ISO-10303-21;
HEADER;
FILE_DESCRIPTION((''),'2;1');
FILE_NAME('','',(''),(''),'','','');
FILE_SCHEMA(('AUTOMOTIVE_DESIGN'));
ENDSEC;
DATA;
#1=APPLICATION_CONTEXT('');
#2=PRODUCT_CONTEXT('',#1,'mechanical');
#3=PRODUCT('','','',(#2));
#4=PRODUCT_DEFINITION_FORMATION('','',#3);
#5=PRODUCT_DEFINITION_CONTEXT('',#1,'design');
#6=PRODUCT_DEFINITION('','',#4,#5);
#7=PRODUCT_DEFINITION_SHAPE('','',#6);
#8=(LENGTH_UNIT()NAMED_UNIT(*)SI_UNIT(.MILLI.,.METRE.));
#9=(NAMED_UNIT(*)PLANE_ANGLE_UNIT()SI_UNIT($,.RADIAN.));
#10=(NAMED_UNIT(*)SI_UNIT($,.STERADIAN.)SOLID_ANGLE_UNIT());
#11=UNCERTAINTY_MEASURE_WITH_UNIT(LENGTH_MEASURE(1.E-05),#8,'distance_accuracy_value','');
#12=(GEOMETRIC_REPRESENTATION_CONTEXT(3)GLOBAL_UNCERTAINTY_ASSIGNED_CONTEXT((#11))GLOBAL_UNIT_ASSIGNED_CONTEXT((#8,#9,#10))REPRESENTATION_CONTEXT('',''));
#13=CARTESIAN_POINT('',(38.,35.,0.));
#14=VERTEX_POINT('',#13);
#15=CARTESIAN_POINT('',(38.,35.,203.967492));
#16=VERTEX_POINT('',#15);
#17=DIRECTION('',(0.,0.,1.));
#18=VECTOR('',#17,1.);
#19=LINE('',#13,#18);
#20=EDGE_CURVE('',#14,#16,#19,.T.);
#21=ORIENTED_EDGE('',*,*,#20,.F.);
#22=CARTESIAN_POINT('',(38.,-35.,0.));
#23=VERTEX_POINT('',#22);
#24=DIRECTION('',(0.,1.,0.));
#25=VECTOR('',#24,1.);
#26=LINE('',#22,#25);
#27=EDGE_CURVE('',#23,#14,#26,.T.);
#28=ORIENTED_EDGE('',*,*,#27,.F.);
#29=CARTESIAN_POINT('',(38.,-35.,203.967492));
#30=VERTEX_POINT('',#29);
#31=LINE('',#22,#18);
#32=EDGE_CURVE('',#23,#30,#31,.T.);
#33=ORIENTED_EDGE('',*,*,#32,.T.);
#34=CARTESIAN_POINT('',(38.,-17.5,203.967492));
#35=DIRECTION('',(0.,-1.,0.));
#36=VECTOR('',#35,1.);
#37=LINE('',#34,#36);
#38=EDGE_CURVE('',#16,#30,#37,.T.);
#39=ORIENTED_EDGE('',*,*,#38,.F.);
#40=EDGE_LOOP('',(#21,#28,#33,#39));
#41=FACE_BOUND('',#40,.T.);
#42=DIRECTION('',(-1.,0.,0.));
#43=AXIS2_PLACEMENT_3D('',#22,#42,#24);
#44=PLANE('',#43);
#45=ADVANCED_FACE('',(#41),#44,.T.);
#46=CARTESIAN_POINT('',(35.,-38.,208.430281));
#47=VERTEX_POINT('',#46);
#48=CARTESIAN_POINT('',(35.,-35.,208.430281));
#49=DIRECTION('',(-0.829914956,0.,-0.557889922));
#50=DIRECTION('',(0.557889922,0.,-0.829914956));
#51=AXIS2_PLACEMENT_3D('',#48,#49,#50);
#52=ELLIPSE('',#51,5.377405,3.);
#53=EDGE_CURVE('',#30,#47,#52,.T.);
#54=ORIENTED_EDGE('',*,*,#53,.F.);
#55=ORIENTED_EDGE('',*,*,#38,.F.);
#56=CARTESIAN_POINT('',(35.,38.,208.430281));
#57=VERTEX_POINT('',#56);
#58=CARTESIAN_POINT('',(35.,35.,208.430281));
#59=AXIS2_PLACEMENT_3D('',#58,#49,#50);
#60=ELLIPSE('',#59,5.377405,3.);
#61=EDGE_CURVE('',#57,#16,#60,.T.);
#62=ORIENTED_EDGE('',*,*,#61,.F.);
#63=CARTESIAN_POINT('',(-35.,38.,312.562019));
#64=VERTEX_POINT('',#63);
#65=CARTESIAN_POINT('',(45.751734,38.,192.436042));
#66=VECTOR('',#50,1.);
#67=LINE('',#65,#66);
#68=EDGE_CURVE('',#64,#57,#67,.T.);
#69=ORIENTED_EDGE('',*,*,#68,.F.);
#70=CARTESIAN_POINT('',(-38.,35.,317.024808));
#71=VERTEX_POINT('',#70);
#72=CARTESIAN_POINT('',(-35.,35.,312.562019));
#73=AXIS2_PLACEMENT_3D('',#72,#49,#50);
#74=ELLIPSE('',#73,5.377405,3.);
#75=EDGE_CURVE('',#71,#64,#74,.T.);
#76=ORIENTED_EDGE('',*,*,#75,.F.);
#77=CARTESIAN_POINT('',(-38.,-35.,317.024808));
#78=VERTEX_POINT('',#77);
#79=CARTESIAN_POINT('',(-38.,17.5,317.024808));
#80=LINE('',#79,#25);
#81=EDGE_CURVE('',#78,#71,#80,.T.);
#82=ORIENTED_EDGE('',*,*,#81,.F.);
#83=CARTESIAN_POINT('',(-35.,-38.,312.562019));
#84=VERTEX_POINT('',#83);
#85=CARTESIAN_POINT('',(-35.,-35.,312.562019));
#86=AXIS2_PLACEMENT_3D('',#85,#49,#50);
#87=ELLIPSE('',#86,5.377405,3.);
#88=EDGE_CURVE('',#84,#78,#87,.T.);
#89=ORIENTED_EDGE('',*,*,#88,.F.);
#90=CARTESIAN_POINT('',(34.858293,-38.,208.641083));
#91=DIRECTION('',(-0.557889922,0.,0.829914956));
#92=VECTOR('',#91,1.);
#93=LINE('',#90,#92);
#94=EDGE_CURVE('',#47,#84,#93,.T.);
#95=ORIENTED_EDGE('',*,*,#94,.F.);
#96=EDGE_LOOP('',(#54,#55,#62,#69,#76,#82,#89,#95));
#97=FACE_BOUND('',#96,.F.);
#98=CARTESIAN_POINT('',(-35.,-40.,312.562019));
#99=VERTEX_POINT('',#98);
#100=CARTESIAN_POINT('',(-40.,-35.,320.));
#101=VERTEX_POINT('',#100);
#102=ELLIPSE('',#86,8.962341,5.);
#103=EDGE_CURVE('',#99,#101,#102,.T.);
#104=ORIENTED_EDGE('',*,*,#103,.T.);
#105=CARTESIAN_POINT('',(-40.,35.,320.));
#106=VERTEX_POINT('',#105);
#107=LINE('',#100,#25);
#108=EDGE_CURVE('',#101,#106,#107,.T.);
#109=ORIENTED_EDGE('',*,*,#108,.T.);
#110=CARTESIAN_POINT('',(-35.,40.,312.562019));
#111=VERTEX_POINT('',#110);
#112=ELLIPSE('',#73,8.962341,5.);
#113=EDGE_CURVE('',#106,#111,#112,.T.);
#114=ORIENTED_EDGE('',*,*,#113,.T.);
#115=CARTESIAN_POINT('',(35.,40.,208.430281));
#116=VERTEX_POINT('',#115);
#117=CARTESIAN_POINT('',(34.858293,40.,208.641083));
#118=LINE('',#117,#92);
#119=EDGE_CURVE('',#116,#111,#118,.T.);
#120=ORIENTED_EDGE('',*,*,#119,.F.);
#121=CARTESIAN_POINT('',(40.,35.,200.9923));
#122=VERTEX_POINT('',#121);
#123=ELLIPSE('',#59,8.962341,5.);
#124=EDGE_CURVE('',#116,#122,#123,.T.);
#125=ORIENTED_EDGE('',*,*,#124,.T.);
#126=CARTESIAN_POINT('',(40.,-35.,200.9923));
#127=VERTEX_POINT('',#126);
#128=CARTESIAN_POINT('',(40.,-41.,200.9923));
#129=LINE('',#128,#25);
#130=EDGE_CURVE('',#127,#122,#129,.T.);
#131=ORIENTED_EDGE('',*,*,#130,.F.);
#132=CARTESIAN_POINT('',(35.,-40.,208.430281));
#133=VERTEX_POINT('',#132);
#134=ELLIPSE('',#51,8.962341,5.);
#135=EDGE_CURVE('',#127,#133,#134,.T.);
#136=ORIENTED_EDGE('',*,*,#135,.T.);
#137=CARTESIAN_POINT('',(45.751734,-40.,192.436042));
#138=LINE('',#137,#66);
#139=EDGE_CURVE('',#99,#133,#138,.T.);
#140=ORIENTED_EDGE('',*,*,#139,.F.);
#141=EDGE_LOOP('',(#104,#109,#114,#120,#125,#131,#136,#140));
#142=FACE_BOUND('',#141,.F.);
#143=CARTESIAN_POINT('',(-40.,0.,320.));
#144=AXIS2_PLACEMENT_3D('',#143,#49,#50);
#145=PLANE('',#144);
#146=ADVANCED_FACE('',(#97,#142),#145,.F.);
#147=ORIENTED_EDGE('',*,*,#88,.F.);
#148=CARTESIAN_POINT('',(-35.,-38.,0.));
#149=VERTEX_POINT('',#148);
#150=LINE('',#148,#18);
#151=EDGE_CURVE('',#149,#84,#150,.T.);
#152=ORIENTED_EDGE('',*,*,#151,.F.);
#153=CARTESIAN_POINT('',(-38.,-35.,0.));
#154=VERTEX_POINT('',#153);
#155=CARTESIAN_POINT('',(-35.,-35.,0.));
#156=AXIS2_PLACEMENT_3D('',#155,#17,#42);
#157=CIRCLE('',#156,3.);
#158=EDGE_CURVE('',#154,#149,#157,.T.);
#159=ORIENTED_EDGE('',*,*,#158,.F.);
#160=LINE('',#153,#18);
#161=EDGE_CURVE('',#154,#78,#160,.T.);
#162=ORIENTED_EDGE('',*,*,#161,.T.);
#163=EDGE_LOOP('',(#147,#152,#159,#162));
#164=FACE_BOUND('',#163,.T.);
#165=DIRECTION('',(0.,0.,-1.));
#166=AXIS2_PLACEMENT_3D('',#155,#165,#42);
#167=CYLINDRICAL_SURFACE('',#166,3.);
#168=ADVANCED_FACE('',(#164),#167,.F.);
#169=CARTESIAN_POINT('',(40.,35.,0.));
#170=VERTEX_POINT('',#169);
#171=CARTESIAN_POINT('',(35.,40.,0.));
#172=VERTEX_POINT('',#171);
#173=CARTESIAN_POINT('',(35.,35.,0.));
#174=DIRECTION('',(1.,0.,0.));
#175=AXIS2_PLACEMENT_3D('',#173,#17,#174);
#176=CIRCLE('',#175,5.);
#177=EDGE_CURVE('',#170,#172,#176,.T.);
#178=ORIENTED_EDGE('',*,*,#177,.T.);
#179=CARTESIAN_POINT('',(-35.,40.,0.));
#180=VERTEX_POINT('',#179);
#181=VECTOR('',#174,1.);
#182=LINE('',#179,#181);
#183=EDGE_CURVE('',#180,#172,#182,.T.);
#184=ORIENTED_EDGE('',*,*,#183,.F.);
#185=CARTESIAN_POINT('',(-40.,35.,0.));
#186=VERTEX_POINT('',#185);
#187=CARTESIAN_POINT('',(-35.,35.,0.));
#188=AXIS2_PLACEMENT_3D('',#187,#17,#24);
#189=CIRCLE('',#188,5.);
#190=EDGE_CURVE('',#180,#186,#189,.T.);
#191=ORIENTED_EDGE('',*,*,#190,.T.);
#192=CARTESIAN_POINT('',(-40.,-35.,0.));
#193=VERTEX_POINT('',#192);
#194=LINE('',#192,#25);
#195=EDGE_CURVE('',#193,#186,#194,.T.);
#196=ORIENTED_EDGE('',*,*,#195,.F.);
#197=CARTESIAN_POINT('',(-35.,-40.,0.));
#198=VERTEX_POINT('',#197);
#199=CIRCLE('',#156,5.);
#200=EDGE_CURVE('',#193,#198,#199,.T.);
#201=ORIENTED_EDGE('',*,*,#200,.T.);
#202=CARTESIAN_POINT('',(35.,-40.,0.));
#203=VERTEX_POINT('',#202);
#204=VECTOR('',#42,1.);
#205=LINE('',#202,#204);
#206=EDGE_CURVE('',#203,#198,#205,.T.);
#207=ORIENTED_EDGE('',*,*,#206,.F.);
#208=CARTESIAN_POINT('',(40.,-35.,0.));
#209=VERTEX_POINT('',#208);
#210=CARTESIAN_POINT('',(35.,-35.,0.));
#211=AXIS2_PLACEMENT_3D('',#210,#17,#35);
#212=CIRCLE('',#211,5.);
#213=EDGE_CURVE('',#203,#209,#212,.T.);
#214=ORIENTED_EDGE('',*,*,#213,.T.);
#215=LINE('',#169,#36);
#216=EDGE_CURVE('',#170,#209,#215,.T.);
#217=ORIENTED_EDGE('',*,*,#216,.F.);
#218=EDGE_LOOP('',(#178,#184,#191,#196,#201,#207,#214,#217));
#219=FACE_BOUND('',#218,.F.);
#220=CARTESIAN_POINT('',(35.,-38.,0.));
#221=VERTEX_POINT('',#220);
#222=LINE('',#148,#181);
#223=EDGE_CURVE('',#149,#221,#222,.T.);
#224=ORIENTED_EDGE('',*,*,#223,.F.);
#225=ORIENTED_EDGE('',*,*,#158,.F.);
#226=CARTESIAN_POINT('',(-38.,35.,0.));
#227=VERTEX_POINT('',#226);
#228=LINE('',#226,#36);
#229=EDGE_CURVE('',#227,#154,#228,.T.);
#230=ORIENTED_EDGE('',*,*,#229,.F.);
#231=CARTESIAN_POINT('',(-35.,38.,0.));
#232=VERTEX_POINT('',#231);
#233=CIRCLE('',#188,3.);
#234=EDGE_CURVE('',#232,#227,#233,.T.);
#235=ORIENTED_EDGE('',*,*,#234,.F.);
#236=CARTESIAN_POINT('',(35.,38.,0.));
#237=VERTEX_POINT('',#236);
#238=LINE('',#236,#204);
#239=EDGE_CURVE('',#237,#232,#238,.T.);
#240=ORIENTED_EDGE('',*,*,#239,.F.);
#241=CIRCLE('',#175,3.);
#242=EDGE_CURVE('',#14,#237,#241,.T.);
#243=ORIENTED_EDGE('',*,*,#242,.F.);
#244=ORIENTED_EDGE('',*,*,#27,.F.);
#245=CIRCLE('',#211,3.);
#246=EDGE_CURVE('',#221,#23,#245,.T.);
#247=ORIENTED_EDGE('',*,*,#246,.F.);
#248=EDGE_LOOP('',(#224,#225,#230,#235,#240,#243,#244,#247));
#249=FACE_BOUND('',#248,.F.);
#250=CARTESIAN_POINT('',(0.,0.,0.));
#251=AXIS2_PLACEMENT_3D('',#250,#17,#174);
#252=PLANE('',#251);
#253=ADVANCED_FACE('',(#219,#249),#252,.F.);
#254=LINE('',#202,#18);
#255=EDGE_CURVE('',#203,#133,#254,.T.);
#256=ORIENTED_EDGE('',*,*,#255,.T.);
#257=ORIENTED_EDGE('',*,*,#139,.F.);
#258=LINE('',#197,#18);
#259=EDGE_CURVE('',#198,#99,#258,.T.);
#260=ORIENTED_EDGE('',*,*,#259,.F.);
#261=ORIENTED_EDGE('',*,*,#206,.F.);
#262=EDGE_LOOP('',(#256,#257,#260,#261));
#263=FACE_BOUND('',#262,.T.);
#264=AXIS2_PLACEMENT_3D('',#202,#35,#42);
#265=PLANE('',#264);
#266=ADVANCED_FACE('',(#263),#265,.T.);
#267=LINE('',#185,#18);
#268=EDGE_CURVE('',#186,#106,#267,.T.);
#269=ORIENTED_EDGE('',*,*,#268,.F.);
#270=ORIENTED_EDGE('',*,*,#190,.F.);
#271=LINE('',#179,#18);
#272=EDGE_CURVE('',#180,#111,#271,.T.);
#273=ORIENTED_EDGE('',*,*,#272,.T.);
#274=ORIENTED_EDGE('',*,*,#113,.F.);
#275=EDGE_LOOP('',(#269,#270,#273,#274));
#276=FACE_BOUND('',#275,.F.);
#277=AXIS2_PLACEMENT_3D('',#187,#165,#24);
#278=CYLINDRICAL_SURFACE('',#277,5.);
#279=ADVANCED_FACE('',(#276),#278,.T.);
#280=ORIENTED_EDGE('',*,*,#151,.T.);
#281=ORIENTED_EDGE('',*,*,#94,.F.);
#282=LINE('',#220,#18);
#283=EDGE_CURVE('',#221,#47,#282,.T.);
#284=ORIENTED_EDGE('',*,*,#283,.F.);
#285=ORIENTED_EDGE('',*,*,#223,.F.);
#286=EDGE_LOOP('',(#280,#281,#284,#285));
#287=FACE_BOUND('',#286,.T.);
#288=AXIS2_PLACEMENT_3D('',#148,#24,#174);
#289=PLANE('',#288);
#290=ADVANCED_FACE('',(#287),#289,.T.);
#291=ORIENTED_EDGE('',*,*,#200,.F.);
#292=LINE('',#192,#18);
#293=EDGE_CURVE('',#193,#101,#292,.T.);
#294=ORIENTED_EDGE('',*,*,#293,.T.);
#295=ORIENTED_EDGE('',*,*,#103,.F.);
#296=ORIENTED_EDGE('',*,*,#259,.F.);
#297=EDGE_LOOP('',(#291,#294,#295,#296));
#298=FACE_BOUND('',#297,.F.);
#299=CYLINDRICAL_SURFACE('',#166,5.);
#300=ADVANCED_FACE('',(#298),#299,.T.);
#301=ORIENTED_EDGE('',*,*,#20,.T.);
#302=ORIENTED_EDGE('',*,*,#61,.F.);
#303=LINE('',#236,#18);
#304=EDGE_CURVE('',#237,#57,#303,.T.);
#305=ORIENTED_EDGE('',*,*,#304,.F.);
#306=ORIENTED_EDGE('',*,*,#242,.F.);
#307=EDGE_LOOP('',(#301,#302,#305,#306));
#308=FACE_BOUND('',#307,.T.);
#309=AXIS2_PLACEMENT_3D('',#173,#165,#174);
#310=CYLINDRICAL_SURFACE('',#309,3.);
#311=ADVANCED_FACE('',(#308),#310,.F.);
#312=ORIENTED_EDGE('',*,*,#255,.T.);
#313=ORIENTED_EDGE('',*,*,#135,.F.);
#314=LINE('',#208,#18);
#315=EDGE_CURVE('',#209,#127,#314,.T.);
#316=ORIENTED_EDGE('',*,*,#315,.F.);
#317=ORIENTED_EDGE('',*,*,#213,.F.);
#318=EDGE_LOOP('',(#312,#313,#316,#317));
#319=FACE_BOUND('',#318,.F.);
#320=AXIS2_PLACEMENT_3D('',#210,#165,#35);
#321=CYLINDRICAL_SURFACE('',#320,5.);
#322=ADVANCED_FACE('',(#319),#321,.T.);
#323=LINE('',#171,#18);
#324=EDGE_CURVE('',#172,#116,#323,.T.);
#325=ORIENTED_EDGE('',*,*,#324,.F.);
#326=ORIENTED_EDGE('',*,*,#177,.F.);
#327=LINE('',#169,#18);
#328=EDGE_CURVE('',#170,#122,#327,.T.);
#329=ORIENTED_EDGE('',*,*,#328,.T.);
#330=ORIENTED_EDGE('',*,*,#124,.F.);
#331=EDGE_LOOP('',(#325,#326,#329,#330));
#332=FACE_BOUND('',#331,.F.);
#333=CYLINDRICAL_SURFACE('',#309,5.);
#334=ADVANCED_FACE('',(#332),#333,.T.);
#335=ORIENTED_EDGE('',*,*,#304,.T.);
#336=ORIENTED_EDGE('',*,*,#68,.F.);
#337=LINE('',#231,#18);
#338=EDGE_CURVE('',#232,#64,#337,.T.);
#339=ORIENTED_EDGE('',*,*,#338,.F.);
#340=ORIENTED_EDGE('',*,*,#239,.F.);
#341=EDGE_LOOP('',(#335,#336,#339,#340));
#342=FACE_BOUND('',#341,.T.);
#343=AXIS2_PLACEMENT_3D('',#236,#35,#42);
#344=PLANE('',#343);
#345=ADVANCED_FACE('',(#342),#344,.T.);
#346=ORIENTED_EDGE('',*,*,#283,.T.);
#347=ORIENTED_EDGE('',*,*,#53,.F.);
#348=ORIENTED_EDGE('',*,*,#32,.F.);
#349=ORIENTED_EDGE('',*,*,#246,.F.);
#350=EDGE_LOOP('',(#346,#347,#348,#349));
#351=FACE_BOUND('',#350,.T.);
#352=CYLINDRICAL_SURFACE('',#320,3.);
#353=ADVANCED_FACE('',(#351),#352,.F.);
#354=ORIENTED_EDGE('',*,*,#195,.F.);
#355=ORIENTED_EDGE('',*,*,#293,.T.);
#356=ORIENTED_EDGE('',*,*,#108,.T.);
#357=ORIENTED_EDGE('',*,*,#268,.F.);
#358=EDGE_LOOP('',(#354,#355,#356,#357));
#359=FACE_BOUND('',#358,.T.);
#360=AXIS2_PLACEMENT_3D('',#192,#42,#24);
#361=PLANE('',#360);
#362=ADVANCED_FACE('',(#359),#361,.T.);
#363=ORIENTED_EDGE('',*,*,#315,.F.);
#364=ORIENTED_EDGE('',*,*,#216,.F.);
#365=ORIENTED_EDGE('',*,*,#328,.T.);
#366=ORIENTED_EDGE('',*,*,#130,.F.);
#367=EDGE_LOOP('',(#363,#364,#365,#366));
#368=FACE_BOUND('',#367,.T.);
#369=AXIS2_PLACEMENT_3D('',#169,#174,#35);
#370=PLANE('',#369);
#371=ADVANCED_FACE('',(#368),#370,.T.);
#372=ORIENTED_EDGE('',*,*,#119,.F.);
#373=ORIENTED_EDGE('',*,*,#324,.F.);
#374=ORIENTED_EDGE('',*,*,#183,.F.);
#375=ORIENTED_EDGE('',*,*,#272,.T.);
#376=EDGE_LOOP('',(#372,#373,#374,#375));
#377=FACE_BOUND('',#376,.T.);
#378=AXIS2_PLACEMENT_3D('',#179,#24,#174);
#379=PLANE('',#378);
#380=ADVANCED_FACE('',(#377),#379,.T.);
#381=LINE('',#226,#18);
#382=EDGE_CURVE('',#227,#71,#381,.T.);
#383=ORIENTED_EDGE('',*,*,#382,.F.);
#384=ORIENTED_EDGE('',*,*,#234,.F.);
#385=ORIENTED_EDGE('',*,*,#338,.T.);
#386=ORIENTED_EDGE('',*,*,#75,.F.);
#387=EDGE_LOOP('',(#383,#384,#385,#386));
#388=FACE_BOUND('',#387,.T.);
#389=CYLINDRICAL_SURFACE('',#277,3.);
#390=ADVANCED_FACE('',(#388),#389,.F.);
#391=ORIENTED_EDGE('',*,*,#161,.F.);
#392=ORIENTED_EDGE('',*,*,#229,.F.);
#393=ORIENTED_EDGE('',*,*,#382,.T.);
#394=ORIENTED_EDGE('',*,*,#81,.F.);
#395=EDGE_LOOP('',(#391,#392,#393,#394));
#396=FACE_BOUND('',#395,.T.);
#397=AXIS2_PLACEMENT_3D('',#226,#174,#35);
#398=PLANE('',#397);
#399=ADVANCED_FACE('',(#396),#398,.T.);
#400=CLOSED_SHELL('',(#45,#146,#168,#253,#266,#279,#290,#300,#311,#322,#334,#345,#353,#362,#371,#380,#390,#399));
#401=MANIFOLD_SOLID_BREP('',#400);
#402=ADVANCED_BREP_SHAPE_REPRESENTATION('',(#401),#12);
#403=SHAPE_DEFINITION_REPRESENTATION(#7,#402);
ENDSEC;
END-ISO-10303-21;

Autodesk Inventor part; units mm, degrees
ref_plane "YZ Plane" through (0, 0, 0) normal (1, 0, 0) x (0, 1, 0)
ref_plane "XZ Plane" through (0, 0, 0) normal (0, 1, 0) x (-1, 0, 0)
ref_plane "XY Plane" through (0, 0, 0) normal (0, 0, 1) x (1, 0, 0)
sketch "Sketch1" plane through (0, 0, 0) normal (0, 0, 1) x (1, 0, 0)
  line L0 (-35, 40) -> (35, 40)
  line L1 (40, 35) -> (40, -35)
  line L2 (35, -40) -> (-35, -40)
  line L3 (-40, -35) -> (-40, 35)
  line L4 (-40, 40) -> (40, -40) construction
  line L5 (40, 40) -> (-40, -40) construction
  arc A0 (-35, 40) -> (-40, 35) centre (-35, 35) ccw
  arc A1 (40, 35) -> (35, 40) centre (35, 35) ccw
  arc A2 (35, -40) -> (40, -35) centre (35, -35) ccw
  arc A3 (-40, -35) -> (-35, -40) centre (-35, -35) ccw
  line L6 (35, 38) -> (-35, 38)
  arc A4 (-35, 38) -> (-38, 35) centre (-35, 35) ccw
  line L7 (-38, 35) -> (-38, -35)
  arc A5 (-38, -35) -> (-35, -38) centre (-35, -35) ccw
  line L8 (-35, -38) -> (35, -38)
  arc A6 (35, -38) -> (38, -35) centre (35, -35) ccw
  line L9 (38, -35) -> (38, 35)
  arc A7 (38, 35) -> (35, 38) centre (35, 35) ccw
  point P0 (0, 0)
  dimension "d0" = 80
  dimension "d1" = 5
  dimension "d2" = 2
extrude "Extrusion1" add sketch "Sketch1" along normal blind 320
sketch "Sketch2" plane through (0, 0, 0) normal (0, 1, 0) x (-1, 0, 0)
  line L0 (40, 0) -> (40, 320) projected
  line L1 (-40, 0) -> (-40, 320) projected
  line L2 (40, 320) -> (-40, 320)
  line L3 (40, 320) -> (-40, 200.9923)
  point P0 (0, 0)
  dimension "d5" = 123.91
extrude "Extrusion2" cut sketch "Sketch2" along normal through all both and the other way through all
properties part number "MSC 903 base tube"
